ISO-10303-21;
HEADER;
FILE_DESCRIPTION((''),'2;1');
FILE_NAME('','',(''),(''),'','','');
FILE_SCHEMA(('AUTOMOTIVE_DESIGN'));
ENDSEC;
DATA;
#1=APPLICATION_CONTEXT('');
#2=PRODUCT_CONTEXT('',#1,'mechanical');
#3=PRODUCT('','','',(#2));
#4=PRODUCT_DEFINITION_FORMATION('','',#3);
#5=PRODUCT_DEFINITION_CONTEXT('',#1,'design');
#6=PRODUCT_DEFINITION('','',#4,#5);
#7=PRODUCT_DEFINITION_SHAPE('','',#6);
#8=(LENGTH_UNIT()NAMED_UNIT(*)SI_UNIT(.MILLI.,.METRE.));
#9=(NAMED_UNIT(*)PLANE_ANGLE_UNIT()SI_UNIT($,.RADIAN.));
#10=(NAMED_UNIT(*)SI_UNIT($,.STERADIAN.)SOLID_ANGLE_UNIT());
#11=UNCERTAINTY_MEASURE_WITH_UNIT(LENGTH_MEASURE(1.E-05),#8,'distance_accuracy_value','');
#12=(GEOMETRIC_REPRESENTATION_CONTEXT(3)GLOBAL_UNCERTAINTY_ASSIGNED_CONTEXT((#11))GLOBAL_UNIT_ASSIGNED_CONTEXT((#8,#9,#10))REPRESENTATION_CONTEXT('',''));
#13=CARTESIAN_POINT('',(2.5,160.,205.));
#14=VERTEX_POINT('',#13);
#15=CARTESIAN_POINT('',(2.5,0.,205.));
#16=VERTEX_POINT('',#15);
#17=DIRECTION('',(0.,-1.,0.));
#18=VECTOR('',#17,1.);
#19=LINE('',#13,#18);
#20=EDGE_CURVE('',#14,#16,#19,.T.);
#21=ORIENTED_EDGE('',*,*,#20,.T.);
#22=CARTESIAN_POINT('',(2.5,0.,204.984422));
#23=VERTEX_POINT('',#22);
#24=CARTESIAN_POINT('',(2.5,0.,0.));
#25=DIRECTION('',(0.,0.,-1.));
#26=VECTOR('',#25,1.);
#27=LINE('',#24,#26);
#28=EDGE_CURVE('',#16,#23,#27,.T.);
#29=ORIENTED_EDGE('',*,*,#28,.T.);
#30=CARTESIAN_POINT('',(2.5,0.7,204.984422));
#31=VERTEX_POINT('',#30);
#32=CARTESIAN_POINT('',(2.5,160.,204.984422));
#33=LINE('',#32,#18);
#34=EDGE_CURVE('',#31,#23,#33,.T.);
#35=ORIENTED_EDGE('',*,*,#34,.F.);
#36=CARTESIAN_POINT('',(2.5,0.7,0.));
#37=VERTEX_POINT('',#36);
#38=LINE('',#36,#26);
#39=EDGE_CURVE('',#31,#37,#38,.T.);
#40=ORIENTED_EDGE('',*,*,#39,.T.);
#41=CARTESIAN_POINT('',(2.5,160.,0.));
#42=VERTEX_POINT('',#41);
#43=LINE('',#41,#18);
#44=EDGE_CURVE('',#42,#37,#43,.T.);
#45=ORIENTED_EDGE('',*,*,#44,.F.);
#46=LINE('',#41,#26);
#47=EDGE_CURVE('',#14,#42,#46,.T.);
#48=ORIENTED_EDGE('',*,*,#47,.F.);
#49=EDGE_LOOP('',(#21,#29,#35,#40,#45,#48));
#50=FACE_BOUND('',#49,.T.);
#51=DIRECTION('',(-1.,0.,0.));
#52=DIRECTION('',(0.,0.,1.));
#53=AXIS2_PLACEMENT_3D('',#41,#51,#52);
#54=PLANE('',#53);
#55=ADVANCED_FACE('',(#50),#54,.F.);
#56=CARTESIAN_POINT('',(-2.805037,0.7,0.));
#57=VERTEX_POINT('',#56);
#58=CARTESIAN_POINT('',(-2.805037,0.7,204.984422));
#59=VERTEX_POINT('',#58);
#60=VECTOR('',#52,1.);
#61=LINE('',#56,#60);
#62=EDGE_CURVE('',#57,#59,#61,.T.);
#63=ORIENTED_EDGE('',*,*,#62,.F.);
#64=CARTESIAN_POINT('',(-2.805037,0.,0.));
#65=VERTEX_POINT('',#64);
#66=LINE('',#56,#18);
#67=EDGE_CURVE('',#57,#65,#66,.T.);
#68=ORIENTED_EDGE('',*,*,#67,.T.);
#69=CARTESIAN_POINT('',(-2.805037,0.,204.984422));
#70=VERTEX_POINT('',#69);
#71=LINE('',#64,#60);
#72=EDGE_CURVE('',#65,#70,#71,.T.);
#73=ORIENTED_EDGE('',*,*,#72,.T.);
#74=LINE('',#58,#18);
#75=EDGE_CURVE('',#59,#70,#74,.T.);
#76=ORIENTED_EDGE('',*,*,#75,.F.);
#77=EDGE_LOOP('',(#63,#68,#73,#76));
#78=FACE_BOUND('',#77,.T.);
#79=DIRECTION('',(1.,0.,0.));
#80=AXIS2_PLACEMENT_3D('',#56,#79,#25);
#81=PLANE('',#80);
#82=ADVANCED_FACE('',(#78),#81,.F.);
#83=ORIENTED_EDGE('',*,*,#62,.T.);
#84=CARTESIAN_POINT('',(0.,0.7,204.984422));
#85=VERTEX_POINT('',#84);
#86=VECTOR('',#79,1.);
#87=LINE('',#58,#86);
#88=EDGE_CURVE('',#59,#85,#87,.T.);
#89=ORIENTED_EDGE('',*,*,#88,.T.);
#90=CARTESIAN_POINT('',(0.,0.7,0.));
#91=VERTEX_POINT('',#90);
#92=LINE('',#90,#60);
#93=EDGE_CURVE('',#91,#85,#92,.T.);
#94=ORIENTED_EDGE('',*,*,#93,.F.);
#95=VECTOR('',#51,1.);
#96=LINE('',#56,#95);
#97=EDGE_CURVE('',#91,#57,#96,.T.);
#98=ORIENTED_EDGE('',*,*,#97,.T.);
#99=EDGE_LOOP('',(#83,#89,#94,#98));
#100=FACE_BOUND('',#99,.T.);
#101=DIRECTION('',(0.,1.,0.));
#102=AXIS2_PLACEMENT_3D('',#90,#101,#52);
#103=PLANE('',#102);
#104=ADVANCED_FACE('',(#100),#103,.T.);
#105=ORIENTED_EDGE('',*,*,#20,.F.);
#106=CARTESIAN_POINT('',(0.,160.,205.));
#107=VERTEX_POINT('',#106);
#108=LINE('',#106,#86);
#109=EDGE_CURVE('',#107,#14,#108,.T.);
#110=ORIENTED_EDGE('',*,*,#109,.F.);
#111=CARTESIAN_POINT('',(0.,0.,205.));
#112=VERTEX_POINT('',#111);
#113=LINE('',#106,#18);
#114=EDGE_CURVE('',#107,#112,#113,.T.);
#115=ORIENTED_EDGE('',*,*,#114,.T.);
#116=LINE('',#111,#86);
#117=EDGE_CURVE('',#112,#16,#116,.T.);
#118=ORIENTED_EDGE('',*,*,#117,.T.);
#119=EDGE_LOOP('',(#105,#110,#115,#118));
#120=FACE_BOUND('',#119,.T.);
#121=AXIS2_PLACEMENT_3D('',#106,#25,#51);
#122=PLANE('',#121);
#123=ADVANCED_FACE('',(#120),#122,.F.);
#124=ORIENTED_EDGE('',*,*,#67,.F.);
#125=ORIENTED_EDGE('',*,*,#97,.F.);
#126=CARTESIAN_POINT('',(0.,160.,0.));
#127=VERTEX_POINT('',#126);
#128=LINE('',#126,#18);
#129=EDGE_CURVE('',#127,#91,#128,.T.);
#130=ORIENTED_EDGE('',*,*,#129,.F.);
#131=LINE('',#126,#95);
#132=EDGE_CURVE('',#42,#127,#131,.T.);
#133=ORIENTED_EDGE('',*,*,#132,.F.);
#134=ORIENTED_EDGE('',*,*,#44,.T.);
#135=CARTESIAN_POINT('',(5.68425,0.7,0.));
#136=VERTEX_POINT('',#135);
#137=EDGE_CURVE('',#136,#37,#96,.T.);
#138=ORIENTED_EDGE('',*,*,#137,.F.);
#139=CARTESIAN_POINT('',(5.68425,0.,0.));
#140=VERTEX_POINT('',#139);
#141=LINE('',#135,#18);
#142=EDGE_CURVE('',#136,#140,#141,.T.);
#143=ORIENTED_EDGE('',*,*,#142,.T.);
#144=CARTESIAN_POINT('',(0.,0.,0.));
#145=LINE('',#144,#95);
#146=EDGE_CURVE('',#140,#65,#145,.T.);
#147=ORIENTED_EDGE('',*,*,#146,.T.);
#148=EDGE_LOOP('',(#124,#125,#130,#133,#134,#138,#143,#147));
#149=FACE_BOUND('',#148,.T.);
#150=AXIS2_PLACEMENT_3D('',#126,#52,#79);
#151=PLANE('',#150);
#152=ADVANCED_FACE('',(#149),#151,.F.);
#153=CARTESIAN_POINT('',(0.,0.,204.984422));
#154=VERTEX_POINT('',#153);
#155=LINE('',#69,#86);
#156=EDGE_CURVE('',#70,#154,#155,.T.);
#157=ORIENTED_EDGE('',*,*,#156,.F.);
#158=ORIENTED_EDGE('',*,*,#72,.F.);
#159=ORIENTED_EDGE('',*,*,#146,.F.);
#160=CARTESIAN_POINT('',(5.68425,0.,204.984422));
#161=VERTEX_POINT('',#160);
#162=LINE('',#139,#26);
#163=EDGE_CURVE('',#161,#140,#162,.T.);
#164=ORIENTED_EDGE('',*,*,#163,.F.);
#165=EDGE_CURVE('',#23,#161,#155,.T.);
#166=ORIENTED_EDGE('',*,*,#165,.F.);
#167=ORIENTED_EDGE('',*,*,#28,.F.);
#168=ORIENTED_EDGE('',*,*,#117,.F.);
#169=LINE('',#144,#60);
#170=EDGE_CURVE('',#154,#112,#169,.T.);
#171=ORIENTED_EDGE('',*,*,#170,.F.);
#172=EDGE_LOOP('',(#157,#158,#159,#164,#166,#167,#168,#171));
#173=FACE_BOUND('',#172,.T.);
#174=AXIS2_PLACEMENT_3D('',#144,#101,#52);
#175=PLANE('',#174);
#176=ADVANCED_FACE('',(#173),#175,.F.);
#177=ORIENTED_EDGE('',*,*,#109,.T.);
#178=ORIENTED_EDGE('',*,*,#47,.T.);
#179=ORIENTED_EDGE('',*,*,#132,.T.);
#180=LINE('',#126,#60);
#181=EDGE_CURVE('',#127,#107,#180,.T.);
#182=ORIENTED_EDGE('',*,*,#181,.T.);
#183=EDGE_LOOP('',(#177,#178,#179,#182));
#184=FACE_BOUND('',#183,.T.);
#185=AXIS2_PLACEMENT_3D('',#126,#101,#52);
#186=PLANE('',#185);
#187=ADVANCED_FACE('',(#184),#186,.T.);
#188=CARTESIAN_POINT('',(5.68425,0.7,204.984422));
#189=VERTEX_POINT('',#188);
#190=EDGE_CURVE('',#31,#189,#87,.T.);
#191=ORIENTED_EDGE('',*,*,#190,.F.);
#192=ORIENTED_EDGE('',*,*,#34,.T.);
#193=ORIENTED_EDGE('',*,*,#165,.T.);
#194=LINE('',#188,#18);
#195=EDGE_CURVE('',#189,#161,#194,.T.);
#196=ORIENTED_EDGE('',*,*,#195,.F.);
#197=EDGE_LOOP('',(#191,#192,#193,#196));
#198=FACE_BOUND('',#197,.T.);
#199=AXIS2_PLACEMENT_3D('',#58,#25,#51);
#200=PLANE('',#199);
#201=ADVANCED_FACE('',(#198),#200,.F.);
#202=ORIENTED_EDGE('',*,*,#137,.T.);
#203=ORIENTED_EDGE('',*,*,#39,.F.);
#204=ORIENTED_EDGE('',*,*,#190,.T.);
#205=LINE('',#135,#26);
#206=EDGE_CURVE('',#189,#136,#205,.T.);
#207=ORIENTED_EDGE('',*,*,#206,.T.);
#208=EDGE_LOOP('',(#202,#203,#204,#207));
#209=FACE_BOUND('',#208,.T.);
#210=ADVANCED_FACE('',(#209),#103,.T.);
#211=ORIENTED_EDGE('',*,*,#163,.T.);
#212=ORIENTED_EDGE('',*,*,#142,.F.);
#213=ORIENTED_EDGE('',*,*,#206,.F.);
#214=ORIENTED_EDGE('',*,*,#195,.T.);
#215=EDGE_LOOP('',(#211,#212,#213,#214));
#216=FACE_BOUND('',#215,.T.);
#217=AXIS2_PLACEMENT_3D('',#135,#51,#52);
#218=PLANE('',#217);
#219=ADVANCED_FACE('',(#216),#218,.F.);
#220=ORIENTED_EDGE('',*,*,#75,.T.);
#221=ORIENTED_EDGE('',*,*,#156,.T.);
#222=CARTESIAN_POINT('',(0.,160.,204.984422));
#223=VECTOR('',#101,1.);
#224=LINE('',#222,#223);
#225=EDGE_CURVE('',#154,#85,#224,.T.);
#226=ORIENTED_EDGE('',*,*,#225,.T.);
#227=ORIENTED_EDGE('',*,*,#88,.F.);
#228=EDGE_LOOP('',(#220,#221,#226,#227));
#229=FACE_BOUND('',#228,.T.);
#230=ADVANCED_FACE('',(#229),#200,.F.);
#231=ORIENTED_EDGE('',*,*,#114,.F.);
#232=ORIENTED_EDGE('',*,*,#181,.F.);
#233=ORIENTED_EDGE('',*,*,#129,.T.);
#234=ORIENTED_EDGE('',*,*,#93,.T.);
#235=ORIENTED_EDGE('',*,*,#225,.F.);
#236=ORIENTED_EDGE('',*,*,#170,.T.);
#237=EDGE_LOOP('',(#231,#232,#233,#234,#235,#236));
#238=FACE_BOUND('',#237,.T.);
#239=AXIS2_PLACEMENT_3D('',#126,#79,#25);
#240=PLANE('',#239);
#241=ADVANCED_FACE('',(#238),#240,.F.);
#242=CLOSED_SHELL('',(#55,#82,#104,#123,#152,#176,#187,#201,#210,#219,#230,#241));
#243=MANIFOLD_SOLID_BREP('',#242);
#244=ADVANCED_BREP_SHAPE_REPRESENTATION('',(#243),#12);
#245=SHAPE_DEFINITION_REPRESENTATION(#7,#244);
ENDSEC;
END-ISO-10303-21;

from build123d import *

# Parameters (mm, degrees)
SKETCH_1_W      = 2.5
SKETCH_1_H      = 205
EXTRUDE_1_DEPTH = 160
SKETCH_2_W      = 8.489287285
SKETCH_2_H      = 204.984421923
EXTRUDE_2_DEPTH = 0.7


with BuildPart() as part:
    # 草图1 → 凸台-拉伸1 (new body)
    with BuildSketch(Plane(origin=(0, 0, 0), x_dir=(1, 0, 0), z_dir=(0, 1, 0))):
        with Locations((1.25, -102.5)):
            Rectangle(SKETCH_1_W, SKETCH_1_H)
    extrude(amount=EXTRUDE_1_DEPTH)

    # 草图2 → 凸台-拉伸2 (add)
    with BuildSketch(Plane(origin=(0, 0, 0), x_dir=(1, 0, 0), z_dir=(0, 1, 0))):
        with Locations((1.439606508, -102.492210962)):
            Rectangle(SKETCH_2_W, SKETCH_2_H)
    extrude(amount=EXTRUDE_2_DEPTH)


solid = part.part
